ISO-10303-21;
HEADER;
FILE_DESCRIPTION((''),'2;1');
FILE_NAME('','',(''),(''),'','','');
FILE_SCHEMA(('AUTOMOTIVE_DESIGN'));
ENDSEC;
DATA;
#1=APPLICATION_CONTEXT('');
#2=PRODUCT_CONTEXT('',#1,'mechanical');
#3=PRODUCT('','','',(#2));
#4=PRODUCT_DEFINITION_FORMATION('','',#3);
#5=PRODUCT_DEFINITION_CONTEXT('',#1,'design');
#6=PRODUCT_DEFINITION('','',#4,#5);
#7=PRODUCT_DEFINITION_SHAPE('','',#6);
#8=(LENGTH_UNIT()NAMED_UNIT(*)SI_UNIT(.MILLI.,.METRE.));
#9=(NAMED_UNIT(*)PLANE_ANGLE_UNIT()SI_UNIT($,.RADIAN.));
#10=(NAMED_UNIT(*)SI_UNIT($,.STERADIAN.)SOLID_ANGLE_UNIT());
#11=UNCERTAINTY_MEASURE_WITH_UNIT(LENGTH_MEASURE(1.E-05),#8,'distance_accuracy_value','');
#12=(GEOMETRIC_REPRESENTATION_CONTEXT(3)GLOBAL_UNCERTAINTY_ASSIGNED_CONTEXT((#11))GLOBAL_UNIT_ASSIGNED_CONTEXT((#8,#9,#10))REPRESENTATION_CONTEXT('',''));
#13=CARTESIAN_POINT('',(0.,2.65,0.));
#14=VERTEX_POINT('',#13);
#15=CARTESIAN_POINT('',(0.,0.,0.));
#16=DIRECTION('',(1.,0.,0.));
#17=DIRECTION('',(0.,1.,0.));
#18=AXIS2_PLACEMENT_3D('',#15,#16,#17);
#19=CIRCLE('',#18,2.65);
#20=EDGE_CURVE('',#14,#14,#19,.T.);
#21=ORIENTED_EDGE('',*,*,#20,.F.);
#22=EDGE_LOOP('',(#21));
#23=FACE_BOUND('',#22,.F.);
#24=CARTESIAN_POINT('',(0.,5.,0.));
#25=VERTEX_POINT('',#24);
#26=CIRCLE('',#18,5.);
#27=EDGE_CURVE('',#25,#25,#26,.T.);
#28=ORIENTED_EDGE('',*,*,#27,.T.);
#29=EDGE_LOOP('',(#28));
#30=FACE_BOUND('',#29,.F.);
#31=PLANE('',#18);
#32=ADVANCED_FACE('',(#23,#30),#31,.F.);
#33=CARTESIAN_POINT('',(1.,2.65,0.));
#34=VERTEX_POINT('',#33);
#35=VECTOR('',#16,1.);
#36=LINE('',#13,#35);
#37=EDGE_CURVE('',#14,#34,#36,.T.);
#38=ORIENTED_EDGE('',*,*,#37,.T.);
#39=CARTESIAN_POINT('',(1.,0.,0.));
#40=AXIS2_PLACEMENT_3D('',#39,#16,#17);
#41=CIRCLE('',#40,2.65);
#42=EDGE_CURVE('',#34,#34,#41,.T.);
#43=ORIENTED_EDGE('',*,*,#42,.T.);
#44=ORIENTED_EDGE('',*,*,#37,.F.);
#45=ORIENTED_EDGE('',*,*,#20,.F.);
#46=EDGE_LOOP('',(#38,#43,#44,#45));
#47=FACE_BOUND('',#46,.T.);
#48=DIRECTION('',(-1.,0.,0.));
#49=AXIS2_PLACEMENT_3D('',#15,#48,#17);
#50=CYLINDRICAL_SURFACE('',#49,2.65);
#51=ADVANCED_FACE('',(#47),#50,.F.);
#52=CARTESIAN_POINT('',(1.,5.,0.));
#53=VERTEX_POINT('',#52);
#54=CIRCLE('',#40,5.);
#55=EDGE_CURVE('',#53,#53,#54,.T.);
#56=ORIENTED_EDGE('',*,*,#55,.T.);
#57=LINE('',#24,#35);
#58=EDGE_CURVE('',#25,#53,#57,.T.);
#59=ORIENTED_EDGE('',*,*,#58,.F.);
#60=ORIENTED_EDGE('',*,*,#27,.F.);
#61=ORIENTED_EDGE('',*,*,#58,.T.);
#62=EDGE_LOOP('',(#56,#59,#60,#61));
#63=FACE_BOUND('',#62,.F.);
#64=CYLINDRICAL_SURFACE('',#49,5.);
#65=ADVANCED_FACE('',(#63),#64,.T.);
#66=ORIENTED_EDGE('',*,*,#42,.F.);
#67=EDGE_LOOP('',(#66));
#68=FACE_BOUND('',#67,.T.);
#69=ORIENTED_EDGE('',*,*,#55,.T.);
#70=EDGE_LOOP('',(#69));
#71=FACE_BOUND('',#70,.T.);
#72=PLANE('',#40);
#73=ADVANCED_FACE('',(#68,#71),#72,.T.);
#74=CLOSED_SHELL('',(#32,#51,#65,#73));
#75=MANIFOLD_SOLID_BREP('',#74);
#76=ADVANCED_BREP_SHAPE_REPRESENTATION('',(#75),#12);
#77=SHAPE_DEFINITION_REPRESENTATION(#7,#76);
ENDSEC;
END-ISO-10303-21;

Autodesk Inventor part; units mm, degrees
ref_plane "YZ Plane" through (0, 0, 0) normal (1, 0, 0) x (0, 1, 0)
ref_plane "XZ Plane" through (0, 0, 0) normal (0, 1, 0) x (-1, 0, 0)
sketch "Sketch" plane through (0, 0, 0) normal (1, 0, 0) x (0, 1, 0)
  circle A0 centre (0, 0) radius 5
  circle A1 centre (0, 0) radius 2.65
  dimension "d0" = 5.3
  dimension "d1" = 10
extrude "Body" add sketch "Sketch" along normal blind 1
ref_plane "Work Plane1" through (0, 0, 0) normal (0, 0, 1) x (1, 0, 0)
equation "\"d0\" = SD1"
equation "\"d1\" = SD2"
equation "\"d2\" = SD"
equation "\"SD1\" = 5.3"
equation "\"SD2\" = 10"
equation "\"SD\" = 1"
equation "\"NND\" = 5"
properties part number "ISO 7089 - 5 - 140 HV" material "Stainless Steel"
